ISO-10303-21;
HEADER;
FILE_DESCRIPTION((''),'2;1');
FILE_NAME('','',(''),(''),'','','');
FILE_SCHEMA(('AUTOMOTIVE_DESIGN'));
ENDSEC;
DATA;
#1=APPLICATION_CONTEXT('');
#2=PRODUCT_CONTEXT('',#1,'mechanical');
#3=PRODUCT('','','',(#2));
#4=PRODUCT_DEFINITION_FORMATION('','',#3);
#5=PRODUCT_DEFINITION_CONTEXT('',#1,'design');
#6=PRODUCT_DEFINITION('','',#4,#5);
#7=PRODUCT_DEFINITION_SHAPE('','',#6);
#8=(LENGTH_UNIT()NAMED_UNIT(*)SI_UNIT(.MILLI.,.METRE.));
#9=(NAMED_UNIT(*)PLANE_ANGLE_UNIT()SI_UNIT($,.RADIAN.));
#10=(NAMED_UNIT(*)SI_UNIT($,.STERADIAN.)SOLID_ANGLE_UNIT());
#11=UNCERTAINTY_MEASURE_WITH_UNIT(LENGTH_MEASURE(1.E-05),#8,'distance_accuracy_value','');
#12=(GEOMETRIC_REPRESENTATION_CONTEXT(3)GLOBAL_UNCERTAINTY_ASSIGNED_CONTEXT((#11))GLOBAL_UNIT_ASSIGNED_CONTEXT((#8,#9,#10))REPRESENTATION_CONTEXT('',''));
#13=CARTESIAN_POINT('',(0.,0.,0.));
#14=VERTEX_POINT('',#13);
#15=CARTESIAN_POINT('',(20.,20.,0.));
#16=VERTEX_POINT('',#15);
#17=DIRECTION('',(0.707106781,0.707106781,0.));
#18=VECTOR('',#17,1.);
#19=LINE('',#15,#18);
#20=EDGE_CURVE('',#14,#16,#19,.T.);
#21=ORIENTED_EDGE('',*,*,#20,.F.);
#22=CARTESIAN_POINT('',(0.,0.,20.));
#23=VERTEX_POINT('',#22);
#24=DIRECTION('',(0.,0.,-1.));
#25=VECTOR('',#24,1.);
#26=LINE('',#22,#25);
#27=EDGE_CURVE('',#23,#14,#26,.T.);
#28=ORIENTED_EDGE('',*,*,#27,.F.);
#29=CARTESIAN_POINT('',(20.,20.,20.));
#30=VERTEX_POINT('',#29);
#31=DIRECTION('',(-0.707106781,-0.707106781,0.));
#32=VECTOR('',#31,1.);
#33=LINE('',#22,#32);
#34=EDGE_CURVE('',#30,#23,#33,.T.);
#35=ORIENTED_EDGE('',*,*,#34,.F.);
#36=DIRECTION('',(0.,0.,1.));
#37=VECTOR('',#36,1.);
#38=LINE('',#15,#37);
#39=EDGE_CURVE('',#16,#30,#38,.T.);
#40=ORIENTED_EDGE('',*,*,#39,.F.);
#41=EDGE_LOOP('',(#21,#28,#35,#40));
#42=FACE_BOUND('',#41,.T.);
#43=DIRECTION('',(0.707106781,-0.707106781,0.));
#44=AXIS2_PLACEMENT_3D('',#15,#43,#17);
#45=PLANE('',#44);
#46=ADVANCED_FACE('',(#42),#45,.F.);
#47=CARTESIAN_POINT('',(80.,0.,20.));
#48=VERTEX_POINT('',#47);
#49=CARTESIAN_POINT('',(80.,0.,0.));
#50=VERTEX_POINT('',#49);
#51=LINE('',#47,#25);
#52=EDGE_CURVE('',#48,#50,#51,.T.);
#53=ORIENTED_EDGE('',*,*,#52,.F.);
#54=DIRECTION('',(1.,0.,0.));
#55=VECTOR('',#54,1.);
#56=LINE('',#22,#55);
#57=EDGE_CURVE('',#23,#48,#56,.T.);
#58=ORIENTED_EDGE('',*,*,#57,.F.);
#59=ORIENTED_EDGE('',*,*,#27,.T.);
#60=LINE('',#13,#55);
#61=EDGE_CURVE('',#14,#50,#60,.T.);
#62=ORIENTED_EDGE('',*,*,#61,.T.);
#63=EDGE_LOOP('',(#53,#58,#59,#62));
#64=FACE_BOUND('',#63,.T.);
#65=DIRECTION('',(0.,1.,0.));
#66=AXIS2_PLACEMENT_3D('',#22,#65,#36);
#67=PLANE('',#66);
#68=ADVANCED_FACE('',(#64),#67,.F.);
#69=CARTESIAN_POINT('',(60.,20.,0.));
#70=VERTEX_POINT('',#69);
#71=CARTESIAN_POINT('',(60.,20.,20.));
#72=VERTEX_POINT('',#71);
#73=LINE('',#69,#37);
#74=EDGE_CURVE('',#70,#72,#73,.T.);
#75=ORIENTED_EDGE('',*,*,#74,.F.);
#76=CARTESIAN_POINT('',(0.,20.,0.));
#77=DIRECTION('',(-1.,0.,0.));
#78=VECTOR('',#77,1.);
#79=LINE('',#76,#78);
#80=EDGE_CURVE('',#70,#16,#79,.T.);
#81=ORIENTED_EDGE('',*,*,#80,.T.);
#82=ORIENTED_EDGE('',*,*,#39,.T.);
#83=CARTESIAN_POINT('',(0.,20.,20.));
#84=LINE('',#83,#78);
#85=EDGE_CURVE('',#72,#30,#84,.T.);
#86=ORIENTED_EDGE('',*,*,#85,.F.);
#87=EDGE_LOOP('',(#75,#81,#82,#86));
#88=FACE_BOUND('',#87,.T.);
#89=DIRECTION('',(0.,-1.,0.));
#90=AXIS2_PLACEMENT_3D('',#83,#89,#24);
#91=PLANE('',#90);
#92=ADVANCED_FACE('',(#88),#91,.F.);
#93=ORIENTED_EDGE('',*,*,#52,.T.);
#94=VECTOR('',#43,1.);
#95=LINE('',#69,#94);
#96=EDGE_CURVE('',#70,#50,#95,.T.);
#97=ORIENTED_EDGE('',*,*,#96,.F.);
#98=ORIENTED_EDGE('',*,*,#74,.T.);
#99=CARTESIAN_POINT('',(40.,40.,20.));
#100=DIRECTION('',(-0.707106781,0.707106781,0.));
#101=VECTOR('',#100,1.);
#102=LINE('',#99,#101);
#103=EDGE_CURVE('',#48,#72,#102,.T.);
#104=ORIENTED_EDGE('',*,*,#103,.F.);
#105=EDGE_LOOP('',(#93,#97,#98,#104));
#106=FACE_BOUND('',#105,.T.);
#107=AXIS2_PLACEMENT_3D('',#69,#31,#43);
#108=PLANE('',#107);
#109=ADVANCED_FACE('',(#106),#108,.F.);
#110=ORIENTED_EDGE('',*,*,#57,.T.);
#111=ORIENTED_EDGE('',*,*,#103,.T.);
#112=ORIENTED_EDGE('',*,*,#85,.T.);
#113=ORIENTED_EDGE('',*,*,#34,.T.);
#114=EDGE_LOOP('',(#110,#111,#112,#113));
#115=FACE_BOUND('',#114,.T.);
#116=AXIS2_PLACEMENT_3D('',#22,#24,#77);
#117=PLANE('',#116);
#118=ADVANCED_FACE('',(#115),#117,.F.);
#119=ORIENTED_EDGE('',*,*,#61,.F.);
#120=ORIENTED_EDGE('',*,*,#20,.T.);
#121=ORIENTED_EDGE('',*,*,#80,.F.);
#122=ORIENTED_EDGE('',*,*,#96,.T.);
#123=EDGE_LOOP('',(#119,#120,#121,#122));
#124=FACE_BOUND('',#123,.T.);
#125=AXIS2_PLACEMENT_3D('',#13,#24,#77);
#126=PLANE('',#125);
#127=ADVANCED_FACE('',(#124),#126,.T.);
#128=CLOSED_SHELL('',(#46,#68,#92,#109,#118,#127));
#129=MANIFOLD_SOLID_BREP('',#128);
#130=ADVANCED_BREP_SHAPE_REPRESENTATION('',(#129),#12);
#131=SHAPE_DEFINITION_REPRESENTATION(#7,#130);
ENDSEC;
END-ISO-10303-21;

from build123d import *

# Parameters (mm, degrees)
ESQUISSE1_W                  = 80
ESQUISSE1_H                  = 20
BOSS_EXTRU_1_DEPTH           = 20
ENL_V_MAT_EXTRU_1_DEPTH      = 85.852813742
ENL_V_MAT_EXTRU_1_DEPTH_BACK = 85.852813742


with BuildPart() as part:
    # Esquisse1 → Boss.-Extru.1 (new body)
    with BuildSketch(Plane.XY):
        with Locations((40, 10)):
            Rectangle(ESQUISSE1_W, ESQUISSE1_H)
    extrude(amount=BOSS_EXTRU_1_DEPTH)

    # Esquisse2 → Enlèv. mat.-Extru.1 (cut, two sides: drawn at the far end of the back side and taken through both)
    with BuildSketch(Plane.XY.offset(20).offset(-ENL_V_MAT_EXTRU_1_DEPTH_BACK)):
        Polygon((0, 20), (20, 20), (0, 0), align=None)
        Polygon((80, 0), (80, 20), (60, 20), align=None)
    extrude(amount=ENL_V_MAT_EXTRU_1_DEPTH + ENL_V_MAT_EXTRU_1_DEPTH_BACK, mode=Mode.SUBTRACT)


solid = part.part
